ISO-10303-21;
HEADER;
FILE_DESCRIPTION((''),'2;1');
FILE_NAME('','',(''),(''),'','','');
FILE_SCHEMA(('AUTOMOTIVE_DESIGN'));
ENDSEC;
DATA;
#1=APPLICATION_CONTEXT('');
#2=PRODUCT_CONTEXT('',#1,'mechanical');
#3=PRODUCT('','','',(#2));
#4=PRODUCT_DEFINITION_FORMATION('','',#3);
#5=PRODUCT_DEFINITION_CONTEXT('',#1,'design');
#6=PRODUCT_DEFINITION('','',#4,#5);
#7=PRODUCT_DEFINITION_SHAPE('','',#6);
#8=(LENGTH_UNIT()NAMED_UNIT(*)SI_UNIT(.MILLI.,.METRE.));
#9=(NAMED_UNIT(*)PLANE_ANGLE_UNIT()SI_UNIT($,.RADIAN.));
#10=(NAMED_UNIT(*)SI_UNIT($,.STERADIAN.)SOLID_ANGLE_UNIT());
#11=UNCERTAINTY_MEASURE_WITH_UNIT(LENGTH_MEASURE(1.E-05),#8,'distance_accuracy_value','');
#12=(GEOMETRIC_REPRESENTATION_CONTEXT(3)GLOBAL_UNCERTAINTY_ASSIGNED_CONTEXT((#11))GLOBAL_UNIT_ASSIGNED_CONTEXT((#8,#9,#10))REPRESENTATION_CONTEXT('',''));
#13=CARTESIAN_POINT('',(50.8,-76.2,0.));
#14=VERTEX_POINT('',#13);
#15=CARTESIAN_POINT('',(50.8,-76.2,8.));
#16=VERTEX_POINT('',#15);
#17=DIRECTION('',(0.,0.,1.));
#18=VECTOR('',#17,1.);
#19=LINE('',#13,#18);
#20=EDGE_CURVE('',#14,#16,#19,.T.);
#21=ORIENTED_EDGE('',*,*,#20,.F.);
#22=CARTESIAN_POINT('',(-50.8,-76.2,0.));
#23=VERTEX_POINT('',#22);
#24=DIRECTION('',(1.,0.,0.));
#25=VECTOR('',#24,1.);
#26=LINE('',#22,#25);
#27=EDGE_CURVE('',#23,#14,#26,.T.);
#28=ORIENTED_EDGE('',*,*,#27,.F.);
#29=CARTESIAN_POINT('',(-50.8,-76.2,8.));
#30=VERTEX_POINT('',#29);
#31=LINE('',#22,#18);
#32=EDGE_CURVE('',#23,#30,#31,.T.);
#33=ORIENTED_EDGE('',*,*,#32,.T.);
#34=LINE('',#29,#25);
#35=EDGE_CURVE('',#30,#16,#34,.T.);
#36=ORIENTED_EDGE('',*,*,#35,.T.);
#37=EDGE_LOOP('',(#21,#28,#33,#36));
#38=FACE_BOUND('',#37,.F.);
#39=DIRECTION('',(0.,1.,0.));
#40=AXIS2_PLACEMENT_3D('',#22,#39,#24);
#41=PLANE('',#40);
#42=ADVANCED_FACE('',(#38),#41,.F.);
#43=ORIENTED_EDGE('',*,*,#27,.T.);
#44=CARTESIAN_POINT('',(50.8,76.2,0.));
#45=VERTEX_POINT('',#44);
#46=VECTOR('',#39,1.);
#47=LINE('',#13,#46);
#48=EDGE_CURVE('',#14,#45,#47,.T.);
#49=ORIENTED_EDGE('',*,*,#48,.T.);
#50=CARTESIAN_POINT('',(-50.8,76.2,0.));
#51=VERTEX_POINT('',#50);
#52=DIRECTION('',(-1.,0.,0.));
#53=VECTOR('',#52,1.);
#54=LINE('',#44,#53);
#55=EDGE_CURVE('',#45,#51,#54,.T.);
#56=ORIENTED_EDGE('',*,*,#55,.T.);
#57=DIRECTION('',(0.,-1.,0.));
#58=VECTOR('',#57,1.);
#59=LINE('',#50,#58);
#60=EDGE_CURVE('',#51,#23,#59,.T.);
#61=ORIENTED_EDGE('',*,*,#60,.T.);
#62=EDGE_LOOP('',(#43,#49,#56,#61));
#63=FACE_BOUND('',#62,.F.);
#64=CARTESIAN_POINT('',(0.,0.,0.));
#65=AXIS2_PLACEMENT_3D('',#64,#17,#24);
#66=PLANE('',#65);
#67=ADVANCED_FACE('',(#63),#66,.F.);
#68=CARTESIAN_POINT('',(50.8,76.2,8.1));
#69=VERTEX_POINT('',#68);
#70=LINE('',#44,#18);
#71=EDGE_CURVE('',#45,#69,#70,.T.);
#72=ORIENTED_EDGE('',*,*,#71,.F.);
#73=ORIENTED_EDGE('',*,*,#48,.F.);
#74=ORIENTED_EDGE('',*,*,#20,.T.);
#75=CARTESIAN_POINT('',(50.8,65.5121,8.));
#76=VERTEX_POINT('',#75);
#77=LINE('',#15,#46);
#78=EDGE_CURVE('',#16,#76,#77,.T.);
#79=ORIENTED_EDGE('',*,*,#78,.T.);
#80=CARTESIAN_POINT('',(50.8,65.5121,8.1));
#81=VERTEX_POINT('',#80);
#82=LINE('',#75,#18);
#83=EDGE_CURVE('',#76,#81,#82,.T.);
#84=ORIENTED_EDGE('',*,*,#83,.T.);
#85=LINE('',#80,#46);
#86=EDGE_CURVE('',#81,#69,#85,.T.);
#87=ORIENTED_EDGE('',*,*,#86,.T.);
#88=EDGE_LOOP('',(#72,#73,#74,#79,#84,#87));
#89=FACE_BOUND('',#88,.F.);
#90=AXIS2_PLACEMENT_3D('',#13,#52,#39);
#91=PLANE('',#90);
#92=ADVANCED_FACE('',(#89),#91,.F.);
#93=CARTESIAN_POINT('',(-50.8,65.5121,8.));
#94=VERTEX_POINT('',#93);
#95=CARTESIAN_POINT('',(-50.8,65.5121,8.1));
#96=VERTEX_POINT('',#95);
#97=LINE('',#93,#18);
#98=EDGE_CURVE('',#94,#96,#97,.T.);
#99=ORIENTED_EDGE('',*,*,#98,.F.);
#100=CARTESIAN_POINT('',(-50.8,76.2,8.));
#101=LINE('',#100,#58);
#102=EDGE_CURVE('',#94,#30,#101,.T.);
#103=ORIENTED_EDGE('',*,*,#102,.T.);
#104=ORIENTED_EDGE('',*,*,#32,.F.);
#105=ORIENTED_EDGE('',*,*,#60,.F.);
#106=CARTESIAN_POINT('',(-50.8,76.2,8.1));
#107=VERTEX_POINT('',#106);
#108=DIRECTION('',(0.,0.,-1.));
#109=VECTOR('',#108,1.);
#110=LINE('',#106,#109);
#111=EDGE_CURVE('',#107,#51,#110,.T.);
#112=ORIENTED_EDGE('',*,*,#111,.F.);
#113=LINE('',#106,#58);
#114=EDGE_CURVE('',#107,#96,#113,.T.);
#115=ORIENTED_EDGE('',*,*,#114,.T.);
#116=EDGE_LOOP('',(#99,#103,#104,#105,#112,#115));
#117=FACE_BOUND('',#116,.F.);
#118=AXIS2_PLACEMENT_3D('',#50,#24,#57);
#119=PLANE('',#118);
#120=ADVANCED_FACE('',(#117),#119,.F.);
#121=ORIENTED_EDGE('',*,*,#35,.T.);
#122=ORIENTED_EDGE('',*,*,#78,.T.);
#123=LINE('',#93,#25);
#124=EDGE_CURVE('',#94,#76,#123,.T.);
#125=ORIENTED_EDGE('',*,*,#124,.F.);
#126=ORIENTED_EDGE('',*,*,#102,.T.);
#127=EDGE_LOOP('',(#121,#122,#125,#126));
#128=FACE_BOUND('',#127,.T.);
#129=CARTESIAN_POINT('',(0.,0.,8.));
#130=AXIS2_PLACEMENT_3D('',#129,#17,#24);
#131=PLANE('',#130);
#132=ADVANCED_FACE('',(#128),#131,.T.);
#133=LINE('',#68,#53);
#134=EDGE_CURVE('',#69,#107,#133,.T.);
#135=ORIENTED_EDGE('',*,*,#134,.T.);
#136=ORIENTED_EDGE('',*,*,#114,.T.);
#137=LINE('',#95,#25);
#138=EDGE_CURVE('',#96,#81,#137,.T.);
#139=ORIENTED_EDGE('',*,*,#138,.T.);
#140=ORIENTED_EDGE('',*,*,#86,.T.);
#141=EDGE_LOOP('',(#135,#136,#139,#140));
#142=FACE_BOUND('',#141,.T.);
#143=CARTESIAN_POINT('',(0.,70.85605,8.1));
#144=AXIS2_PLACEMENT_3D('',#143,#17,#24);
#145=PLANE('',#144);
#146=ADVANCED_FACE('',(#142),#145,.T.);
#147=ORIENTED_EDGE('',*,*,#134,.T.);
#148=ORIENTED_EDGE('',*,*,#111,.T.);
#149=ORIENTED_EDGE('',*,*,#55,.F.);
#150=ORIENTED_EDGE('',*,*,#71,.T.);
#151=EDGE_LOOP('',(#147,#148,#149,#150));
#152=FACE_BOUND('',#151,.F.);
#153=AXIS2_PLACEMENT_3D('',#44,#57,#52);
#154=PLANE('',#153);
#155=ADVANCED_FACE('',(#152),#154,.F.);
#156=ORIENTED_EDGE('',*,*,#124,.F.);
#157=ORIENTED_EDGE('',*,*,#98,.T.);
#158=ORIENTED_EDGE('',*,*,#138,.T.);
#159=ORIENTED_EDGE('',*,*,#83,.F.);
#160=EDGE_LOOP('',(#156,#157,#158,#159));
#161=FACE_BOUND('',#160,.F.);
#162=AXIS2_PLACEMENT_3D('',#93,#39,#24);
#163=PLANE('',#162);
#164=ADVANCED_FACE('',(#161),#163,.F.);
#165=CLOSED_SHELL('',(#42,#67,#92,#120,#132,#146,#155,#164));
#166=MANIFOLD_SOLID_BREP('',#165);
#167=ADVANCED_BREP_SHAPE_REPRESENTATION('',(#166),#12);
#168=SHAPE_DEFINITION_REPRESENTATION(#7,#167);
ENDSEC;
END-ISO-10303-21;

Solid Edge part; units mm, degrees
sketch "Sketch1" plane through (0, 0, 0) normal (0, 0, 1) x (1, 0, 0)
  line L0 (-50.8, -76.2) -> (50.8, -76.2)
  line L1 (50.8, -76.2) -> (50.8, 76.2)
  line L2 (50.8, 76.2) -> (-50.8, 76.2)
  line L3 (-50.8, 76.2) -> (-50.8, -76.2)
  dimension "D1" = 101.6
  dimension "D2" = 152.4
extrude "Protrusion1" add sketch "Sketch1" along normal blind 8
sketch "Sketch2" plane through (0, 0, 8) normal (0, 0, 1) x (0, 1, 0)
  line L0 (76.2, 50.8) -> (65.5121, 50.8)
  line L1 (65.5121, 50.8) -> (65.5121, -50.8)
  line L2 (65.5121, -50.8) -> (76.2, -50.8)
  line L3 (76.2, -50.8) -> (76.2, 50.8)
extrude "ExtrudedProtrusion_2" add sketch "Sketch2" along normal blind 0.1
